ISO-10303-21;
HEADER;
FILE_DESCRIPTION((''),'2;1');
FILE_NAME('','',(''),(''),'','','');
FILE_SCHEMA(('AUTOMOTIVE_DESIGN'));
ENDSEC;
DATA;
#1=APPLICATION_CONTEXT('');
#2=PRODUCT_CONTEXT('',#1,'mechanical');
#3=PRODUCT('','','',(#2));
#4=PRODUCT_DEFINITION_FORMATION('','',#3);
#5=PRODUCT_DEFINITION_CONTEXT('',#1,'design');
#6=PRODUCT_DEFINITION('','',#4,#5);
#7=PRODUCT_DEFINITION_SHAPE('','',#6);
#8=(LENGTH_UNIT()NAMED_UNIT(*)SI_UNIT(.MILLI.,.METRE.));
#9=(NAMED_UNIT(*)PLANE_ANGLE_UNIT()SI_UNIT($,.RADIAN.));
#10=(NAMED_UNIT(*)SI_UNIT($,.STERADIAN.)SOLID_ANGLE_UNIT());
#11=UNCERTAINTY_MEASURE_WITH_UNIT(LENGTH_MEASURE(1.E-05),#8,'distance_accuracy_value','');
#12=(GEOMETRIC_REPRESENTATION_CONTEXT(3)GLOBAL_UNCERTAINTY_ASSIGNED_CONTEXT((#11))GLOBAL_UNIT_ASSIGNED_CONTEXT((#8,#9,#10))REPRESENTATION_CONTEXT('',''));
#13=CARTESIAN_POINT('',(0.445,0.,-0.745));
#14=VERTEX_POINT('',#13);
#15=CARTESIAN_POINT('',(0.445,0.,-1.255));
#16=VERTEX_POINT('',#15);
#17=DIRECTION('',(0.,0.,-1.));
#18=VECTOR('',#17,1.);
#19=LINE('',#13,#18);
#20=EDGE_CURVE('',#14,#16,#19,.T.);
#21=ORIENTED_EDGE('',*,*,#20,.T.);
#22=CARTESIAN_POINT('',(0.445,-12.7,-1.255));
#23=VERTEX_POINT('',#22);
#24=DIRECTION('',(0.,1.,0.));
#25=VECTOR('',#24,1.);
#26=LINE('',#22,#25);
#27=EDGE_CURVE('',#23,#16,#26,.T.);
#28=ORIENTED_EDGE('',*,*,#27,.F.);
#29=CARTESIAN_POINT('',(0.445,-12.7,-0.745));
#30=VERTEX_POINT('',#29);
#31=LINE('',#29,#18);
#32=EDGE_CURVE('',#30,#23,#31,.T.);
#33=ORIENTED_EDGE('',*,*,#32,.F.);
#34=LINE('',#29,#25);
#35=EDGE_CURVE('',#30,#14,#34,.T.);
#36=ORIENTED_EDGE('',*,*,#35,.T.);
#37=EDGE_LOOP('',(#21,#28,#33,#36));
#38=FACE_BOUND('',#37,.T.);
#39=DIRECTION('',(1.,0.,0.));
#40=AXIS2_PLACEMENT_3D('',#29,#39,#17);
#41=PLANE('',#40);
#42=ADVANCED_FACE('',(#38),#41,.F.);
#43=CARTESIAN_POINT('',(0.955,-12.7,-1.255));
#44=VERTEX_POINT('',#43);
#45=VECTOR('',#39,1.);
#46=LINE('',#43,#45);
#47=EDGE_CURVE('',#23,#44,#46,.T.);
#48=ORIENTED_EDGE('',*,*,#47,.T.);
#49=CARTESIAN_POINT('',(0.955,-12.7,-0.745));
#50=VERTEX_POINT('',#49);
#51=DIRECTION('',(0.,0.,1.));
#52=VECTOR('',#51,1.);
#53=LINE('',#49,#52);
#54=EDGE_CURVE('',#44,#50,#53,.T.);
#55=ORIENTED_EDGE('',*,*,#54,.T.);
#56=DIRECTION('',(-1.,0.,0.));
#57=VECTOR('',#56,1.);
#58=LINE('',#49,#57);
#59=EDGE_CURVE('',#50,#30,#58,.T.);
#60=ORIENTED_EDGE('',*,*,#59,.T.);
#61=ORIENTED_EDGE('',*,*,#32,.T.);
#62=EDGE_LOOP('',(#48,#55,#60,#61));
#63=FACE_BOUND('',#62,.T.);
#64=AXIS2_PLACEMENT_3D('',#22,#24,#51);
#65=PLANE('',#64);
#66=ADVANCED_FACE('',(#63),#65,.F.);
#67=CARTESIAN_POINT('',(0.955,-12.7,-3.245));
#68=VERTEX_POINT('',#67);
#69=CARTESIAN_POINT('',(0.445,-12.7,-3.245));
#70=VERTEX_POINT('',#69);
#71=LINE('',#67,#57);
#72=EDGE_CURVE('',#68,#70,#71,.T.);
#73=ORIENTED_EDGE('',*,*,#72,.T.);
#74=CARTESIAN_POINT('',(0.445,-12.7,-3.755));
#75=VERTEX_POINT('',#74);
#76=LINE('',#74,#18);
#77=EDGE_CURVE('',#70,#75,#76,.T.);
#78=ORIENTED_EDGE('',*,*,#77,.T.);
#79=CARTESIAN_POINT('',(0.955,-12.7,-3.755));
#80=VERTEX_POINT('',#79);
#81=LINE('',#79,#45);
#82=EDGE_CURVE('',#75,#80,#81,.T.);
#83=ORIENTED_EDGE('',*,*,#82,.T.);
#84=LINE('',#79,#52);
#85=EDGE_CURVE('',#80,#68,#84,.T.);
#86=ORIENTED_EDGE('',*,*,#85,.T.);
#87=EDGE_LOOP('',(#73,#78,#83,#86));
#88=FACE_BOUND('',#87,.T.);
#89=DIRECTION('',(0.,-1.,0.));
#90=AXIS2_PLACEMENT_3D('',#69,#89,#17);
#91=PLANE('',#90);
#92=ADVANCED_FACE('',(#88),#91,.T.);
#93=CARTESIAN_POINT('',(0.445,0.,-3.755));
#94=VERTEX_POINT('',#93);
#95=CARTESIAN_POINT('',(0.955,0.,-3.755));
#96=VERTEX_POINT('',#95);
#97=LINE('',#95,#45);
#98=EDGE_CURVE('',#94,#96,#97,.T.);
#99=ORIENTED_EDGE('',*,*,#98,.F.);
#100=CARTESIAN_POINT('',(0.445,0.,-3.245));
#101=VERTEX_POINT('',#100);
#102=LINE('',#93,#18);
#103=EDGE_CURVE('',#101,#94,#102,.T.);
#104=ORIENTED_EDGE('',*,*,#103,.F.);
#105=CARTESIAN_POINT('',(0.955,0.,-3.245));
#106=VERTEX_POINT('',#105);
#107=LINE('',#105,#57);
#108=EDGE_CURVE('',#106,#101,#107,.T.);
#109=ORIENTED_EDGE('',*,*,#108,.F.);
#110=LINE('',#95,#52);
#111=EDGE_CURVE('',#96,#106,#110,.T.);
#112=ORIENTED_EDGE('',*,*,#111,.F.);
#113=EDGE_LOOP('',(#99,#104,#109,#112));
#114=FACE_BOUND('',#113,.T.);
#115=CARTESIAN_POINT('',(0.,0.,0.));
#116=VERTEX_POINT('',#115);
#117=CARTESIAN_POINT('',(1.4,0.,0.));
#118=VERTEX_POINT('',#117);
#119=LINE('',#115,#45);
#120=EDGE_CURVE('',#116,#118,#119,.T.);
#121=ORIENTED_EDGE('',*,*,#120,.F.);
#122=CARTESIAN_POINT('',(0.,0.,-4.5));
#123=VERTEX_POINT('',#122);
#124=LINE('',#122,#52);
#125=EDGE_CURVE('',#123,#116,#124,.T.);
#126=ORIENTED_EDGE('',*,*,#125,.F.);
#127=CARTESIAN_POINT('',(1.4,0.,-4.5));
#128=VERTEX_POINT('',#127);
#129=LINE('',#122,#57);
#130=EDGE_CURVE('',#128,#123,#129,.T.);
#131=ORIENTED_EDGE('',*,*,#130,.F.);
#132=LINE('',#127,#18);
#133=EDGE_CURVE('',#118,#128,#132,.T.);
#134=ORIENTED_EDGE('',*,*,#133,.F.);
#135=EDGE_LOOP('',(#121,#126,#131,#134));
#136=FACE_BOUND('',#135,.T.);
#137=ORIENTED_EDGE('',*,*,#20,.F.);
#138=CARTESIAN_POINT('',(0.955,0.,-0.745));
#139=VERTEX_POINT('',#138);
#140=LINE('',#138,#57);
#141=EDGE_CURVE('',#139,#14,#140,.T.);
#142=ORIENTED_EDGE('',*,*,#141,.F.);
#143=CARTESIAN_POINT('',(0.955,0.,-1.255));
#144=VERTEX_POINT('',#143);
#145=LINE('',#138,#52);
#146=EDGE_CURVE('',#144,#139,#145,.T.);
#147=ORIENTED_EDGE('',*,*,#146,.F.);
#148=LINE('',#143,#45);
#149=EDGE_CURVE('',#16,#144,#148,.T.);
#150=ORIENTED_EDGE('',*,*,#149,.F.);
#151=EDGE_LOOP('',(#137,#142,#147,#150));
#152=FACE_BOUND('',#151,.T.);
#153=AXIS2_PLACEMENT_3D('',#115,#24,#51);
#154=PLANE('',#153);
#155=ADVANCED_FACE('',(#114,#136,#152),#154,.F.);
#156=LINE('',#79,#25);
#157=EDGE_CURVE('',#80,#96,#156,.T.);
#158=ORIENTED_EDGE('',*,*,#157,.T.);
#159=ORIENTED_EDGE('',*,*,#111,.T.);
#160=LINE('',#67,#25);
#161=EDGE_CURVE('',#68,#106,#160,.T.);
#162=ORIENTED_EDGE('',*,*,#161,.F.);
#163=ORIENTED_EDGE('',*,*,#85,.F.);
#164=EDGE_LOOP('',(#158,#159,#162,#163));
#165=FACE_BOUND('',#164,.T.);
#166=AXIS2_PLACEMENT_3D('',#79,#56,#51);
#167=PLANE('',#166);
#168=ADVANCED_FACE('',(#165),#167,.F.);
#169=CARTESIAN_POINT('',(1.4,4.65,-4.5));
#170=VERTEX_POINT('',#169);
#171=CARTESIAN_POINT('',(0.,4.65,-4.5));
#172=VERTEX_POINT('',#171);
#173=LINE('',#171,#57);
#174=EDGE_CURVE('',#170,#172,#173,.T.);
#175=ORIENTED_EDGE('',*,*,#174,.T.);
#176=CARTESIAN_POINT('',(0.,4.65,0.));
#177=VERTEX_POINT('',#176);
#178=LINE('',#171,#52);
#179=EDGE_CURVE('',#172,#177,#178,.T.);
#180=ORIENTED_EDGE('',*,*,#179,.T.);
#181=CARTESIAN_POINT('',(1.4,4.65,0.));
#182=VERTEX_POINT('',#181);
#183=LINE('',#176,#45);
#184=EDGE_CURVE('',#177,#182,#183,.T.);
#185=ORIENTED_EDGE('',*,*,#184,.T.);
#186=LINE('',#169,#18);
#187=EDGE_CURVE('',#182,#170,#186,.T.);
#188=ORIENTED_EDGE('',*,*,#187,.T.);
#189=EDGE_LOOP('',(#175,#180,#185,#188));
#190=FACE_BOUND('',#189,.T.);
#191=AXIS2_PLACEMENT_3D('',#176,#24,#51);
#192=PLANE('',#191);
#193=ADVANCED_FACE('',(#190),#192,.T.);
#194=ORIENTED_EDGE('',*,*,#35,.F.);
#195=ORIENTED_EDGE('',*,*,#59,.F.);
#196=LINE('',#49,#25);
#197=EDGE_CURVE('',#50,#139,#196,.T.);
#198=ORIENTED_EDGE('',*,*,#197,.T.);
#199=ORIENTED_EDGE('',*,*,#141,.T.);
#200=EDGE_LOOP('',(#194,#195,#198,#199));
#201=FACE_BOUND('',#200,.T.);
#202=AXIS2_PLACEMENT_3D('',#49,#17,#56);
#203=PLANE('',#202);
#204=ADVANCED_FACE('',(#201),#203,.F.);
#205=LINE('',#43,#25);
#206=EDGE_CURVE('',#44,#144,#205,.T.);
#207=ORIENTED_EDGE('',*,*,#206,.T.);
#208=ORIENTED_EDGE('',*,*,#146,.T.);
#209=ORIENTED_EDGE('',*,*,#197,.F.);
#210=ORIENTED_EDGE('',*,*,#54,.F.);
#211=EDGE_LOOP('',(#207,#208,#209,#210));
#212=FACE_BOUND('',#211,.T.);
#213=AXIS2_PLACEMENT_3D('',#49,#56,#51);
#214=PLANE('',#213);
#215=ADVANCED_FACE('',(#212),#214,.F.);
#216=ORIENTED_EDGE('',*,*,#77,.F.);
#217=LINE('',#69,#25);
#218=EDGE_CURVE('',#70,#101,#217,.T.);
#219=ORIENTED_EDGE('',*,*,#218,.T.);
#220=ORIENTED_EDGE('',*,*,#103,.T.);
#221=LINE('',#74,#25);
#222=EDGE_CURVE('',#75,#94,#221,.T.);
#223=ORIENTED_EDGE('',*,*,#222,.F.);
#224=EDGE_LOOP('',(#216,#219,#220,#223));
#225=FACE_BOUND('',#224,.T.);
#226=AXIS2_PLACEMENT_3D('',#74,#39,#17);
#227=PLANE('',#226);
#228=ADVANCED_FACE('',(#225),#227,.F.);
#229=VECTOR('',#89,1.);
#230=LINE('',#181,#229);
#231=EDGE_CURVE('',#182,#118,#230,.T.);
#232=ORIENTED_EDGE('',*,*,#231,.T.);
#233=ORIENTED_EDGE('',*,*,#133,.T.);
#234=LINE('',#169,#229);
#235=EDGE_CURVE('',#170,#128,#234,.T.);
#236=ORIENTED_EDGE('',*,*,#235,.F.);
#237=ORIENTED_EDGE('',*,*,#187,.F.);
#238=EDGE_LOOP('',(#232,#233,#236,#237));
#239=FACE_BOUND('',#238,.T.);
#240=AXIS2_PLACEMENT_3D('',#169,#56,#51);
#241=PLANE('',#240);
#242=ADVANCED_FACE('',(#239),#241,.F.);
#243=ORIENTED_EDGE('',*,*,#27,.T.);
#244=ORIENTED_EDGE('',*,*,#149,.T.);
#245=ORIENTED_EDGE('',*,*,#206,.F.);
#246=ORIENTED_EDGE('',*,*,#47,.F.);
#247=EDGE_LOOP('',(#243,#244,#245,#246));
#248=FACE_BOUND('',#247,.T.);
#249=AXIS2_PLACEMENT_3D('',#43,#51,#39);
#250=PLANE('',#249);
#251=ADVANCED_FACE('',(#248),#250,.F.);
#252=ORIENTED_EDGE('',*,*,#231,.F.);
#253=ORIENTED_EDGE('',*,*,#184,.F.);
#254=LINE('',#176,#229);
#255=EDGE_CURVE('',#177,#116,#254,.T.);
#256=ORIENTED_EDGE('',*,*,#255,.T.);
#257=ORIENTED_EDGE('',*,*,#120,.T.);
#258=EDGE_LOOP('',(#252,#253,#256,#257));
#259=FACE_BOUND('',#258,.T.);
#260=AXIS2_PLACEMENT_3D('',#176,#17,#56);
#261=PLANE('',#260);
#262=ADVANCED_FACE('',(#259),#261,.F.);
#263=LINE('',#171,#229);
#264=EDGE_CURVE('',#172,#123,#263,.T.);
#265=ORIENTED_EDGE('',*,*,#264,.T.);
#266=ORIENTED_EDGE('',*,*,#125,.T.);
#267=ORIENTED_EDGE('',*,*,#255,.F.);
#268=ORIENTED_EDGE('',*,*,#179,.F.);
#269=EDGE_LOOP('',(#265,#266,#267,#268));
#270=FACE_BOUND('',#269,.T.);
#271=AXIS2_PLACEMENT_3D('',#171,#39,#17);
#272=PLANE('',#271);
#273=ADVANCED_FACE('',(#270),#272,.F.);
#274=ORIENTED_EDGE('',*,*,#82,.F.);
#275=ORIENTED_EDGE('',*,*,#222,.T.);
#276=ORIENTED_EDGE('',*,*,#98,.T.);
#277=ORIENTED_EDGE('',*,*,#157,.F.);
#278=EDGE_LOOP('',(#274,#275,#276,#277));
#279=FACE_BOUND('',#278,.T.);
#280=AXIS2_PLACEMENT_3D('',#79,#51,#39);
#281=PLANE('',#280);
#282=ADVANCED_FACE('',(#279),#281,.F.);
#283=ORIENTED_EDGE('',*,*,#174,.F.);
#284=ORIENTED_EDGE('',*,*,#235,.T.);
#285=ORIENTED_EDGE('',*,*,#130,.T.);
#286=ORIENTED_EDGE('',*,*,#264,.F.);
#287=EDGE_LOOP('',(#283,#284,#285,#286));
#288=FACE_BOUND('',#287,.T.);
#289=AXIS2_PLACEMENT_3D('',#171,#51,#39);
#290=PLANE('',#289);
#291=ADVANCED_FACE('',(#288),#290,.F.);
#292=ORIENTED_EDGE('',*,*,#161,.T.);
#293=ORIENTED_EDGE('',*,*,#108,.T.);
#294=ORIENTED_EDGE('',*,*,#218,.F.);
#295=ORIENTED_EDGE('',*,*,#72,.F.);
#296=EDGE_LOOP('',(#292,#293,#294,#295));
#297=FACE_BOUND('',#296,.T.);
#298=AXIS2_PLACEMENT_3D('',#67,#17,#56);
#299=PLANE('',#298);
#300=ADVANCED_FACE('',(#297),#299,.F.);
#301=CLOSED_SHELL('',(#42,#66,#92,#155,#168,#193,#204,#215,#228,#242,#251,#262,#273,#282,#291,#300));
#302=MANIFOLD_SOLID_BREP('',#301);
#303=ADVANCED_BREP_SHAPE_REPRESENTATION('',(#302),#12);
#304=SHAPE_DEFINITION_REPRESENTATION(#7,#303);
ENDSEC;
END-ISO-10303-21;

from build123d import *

# Parameters (mm, degrees)
CROQUIS1_W              = 1.4
CROQUIS1_H              = 4.5
SALIENTE_EXTRUIR1_DEPTH = 4.65
CROQUIS2_W              = 0.51
CROQUIS2_H              = 0.51
SALIENTE_EXTRUIR2_DEPTH = 12.7


with BuildPart() as part:
    # Croquis1 → Saliente-Extruir1 (new body)
    with BuildSketch(Plane(origin=(0, 0, 0), x_dir=(1, 0, 0), z_dir=(0, 1, 0))):
        with Locations((0.7, 2.25)):
            Rectangle(CROQUIS1_W, CROQUIS1_H)
    extrude(amount=SALIENTE_EXTRUIR1_DEPTH)

    # Croquis2 → Saliente-Extruir2 (add)
    with BuildSketch(Plane.XZ):
        with Locations((0.7, -1)):
            Rectangle(CROQUIS2_W, CROQUIS2_H)
        with Locations((0.7, -3.5)):
            Rectangle(CROQUIS2_W, CROQUIS2_H)
    extrude(amount=SALIENTE_EXTRUIR2_DEPTH)


solid = part.part
